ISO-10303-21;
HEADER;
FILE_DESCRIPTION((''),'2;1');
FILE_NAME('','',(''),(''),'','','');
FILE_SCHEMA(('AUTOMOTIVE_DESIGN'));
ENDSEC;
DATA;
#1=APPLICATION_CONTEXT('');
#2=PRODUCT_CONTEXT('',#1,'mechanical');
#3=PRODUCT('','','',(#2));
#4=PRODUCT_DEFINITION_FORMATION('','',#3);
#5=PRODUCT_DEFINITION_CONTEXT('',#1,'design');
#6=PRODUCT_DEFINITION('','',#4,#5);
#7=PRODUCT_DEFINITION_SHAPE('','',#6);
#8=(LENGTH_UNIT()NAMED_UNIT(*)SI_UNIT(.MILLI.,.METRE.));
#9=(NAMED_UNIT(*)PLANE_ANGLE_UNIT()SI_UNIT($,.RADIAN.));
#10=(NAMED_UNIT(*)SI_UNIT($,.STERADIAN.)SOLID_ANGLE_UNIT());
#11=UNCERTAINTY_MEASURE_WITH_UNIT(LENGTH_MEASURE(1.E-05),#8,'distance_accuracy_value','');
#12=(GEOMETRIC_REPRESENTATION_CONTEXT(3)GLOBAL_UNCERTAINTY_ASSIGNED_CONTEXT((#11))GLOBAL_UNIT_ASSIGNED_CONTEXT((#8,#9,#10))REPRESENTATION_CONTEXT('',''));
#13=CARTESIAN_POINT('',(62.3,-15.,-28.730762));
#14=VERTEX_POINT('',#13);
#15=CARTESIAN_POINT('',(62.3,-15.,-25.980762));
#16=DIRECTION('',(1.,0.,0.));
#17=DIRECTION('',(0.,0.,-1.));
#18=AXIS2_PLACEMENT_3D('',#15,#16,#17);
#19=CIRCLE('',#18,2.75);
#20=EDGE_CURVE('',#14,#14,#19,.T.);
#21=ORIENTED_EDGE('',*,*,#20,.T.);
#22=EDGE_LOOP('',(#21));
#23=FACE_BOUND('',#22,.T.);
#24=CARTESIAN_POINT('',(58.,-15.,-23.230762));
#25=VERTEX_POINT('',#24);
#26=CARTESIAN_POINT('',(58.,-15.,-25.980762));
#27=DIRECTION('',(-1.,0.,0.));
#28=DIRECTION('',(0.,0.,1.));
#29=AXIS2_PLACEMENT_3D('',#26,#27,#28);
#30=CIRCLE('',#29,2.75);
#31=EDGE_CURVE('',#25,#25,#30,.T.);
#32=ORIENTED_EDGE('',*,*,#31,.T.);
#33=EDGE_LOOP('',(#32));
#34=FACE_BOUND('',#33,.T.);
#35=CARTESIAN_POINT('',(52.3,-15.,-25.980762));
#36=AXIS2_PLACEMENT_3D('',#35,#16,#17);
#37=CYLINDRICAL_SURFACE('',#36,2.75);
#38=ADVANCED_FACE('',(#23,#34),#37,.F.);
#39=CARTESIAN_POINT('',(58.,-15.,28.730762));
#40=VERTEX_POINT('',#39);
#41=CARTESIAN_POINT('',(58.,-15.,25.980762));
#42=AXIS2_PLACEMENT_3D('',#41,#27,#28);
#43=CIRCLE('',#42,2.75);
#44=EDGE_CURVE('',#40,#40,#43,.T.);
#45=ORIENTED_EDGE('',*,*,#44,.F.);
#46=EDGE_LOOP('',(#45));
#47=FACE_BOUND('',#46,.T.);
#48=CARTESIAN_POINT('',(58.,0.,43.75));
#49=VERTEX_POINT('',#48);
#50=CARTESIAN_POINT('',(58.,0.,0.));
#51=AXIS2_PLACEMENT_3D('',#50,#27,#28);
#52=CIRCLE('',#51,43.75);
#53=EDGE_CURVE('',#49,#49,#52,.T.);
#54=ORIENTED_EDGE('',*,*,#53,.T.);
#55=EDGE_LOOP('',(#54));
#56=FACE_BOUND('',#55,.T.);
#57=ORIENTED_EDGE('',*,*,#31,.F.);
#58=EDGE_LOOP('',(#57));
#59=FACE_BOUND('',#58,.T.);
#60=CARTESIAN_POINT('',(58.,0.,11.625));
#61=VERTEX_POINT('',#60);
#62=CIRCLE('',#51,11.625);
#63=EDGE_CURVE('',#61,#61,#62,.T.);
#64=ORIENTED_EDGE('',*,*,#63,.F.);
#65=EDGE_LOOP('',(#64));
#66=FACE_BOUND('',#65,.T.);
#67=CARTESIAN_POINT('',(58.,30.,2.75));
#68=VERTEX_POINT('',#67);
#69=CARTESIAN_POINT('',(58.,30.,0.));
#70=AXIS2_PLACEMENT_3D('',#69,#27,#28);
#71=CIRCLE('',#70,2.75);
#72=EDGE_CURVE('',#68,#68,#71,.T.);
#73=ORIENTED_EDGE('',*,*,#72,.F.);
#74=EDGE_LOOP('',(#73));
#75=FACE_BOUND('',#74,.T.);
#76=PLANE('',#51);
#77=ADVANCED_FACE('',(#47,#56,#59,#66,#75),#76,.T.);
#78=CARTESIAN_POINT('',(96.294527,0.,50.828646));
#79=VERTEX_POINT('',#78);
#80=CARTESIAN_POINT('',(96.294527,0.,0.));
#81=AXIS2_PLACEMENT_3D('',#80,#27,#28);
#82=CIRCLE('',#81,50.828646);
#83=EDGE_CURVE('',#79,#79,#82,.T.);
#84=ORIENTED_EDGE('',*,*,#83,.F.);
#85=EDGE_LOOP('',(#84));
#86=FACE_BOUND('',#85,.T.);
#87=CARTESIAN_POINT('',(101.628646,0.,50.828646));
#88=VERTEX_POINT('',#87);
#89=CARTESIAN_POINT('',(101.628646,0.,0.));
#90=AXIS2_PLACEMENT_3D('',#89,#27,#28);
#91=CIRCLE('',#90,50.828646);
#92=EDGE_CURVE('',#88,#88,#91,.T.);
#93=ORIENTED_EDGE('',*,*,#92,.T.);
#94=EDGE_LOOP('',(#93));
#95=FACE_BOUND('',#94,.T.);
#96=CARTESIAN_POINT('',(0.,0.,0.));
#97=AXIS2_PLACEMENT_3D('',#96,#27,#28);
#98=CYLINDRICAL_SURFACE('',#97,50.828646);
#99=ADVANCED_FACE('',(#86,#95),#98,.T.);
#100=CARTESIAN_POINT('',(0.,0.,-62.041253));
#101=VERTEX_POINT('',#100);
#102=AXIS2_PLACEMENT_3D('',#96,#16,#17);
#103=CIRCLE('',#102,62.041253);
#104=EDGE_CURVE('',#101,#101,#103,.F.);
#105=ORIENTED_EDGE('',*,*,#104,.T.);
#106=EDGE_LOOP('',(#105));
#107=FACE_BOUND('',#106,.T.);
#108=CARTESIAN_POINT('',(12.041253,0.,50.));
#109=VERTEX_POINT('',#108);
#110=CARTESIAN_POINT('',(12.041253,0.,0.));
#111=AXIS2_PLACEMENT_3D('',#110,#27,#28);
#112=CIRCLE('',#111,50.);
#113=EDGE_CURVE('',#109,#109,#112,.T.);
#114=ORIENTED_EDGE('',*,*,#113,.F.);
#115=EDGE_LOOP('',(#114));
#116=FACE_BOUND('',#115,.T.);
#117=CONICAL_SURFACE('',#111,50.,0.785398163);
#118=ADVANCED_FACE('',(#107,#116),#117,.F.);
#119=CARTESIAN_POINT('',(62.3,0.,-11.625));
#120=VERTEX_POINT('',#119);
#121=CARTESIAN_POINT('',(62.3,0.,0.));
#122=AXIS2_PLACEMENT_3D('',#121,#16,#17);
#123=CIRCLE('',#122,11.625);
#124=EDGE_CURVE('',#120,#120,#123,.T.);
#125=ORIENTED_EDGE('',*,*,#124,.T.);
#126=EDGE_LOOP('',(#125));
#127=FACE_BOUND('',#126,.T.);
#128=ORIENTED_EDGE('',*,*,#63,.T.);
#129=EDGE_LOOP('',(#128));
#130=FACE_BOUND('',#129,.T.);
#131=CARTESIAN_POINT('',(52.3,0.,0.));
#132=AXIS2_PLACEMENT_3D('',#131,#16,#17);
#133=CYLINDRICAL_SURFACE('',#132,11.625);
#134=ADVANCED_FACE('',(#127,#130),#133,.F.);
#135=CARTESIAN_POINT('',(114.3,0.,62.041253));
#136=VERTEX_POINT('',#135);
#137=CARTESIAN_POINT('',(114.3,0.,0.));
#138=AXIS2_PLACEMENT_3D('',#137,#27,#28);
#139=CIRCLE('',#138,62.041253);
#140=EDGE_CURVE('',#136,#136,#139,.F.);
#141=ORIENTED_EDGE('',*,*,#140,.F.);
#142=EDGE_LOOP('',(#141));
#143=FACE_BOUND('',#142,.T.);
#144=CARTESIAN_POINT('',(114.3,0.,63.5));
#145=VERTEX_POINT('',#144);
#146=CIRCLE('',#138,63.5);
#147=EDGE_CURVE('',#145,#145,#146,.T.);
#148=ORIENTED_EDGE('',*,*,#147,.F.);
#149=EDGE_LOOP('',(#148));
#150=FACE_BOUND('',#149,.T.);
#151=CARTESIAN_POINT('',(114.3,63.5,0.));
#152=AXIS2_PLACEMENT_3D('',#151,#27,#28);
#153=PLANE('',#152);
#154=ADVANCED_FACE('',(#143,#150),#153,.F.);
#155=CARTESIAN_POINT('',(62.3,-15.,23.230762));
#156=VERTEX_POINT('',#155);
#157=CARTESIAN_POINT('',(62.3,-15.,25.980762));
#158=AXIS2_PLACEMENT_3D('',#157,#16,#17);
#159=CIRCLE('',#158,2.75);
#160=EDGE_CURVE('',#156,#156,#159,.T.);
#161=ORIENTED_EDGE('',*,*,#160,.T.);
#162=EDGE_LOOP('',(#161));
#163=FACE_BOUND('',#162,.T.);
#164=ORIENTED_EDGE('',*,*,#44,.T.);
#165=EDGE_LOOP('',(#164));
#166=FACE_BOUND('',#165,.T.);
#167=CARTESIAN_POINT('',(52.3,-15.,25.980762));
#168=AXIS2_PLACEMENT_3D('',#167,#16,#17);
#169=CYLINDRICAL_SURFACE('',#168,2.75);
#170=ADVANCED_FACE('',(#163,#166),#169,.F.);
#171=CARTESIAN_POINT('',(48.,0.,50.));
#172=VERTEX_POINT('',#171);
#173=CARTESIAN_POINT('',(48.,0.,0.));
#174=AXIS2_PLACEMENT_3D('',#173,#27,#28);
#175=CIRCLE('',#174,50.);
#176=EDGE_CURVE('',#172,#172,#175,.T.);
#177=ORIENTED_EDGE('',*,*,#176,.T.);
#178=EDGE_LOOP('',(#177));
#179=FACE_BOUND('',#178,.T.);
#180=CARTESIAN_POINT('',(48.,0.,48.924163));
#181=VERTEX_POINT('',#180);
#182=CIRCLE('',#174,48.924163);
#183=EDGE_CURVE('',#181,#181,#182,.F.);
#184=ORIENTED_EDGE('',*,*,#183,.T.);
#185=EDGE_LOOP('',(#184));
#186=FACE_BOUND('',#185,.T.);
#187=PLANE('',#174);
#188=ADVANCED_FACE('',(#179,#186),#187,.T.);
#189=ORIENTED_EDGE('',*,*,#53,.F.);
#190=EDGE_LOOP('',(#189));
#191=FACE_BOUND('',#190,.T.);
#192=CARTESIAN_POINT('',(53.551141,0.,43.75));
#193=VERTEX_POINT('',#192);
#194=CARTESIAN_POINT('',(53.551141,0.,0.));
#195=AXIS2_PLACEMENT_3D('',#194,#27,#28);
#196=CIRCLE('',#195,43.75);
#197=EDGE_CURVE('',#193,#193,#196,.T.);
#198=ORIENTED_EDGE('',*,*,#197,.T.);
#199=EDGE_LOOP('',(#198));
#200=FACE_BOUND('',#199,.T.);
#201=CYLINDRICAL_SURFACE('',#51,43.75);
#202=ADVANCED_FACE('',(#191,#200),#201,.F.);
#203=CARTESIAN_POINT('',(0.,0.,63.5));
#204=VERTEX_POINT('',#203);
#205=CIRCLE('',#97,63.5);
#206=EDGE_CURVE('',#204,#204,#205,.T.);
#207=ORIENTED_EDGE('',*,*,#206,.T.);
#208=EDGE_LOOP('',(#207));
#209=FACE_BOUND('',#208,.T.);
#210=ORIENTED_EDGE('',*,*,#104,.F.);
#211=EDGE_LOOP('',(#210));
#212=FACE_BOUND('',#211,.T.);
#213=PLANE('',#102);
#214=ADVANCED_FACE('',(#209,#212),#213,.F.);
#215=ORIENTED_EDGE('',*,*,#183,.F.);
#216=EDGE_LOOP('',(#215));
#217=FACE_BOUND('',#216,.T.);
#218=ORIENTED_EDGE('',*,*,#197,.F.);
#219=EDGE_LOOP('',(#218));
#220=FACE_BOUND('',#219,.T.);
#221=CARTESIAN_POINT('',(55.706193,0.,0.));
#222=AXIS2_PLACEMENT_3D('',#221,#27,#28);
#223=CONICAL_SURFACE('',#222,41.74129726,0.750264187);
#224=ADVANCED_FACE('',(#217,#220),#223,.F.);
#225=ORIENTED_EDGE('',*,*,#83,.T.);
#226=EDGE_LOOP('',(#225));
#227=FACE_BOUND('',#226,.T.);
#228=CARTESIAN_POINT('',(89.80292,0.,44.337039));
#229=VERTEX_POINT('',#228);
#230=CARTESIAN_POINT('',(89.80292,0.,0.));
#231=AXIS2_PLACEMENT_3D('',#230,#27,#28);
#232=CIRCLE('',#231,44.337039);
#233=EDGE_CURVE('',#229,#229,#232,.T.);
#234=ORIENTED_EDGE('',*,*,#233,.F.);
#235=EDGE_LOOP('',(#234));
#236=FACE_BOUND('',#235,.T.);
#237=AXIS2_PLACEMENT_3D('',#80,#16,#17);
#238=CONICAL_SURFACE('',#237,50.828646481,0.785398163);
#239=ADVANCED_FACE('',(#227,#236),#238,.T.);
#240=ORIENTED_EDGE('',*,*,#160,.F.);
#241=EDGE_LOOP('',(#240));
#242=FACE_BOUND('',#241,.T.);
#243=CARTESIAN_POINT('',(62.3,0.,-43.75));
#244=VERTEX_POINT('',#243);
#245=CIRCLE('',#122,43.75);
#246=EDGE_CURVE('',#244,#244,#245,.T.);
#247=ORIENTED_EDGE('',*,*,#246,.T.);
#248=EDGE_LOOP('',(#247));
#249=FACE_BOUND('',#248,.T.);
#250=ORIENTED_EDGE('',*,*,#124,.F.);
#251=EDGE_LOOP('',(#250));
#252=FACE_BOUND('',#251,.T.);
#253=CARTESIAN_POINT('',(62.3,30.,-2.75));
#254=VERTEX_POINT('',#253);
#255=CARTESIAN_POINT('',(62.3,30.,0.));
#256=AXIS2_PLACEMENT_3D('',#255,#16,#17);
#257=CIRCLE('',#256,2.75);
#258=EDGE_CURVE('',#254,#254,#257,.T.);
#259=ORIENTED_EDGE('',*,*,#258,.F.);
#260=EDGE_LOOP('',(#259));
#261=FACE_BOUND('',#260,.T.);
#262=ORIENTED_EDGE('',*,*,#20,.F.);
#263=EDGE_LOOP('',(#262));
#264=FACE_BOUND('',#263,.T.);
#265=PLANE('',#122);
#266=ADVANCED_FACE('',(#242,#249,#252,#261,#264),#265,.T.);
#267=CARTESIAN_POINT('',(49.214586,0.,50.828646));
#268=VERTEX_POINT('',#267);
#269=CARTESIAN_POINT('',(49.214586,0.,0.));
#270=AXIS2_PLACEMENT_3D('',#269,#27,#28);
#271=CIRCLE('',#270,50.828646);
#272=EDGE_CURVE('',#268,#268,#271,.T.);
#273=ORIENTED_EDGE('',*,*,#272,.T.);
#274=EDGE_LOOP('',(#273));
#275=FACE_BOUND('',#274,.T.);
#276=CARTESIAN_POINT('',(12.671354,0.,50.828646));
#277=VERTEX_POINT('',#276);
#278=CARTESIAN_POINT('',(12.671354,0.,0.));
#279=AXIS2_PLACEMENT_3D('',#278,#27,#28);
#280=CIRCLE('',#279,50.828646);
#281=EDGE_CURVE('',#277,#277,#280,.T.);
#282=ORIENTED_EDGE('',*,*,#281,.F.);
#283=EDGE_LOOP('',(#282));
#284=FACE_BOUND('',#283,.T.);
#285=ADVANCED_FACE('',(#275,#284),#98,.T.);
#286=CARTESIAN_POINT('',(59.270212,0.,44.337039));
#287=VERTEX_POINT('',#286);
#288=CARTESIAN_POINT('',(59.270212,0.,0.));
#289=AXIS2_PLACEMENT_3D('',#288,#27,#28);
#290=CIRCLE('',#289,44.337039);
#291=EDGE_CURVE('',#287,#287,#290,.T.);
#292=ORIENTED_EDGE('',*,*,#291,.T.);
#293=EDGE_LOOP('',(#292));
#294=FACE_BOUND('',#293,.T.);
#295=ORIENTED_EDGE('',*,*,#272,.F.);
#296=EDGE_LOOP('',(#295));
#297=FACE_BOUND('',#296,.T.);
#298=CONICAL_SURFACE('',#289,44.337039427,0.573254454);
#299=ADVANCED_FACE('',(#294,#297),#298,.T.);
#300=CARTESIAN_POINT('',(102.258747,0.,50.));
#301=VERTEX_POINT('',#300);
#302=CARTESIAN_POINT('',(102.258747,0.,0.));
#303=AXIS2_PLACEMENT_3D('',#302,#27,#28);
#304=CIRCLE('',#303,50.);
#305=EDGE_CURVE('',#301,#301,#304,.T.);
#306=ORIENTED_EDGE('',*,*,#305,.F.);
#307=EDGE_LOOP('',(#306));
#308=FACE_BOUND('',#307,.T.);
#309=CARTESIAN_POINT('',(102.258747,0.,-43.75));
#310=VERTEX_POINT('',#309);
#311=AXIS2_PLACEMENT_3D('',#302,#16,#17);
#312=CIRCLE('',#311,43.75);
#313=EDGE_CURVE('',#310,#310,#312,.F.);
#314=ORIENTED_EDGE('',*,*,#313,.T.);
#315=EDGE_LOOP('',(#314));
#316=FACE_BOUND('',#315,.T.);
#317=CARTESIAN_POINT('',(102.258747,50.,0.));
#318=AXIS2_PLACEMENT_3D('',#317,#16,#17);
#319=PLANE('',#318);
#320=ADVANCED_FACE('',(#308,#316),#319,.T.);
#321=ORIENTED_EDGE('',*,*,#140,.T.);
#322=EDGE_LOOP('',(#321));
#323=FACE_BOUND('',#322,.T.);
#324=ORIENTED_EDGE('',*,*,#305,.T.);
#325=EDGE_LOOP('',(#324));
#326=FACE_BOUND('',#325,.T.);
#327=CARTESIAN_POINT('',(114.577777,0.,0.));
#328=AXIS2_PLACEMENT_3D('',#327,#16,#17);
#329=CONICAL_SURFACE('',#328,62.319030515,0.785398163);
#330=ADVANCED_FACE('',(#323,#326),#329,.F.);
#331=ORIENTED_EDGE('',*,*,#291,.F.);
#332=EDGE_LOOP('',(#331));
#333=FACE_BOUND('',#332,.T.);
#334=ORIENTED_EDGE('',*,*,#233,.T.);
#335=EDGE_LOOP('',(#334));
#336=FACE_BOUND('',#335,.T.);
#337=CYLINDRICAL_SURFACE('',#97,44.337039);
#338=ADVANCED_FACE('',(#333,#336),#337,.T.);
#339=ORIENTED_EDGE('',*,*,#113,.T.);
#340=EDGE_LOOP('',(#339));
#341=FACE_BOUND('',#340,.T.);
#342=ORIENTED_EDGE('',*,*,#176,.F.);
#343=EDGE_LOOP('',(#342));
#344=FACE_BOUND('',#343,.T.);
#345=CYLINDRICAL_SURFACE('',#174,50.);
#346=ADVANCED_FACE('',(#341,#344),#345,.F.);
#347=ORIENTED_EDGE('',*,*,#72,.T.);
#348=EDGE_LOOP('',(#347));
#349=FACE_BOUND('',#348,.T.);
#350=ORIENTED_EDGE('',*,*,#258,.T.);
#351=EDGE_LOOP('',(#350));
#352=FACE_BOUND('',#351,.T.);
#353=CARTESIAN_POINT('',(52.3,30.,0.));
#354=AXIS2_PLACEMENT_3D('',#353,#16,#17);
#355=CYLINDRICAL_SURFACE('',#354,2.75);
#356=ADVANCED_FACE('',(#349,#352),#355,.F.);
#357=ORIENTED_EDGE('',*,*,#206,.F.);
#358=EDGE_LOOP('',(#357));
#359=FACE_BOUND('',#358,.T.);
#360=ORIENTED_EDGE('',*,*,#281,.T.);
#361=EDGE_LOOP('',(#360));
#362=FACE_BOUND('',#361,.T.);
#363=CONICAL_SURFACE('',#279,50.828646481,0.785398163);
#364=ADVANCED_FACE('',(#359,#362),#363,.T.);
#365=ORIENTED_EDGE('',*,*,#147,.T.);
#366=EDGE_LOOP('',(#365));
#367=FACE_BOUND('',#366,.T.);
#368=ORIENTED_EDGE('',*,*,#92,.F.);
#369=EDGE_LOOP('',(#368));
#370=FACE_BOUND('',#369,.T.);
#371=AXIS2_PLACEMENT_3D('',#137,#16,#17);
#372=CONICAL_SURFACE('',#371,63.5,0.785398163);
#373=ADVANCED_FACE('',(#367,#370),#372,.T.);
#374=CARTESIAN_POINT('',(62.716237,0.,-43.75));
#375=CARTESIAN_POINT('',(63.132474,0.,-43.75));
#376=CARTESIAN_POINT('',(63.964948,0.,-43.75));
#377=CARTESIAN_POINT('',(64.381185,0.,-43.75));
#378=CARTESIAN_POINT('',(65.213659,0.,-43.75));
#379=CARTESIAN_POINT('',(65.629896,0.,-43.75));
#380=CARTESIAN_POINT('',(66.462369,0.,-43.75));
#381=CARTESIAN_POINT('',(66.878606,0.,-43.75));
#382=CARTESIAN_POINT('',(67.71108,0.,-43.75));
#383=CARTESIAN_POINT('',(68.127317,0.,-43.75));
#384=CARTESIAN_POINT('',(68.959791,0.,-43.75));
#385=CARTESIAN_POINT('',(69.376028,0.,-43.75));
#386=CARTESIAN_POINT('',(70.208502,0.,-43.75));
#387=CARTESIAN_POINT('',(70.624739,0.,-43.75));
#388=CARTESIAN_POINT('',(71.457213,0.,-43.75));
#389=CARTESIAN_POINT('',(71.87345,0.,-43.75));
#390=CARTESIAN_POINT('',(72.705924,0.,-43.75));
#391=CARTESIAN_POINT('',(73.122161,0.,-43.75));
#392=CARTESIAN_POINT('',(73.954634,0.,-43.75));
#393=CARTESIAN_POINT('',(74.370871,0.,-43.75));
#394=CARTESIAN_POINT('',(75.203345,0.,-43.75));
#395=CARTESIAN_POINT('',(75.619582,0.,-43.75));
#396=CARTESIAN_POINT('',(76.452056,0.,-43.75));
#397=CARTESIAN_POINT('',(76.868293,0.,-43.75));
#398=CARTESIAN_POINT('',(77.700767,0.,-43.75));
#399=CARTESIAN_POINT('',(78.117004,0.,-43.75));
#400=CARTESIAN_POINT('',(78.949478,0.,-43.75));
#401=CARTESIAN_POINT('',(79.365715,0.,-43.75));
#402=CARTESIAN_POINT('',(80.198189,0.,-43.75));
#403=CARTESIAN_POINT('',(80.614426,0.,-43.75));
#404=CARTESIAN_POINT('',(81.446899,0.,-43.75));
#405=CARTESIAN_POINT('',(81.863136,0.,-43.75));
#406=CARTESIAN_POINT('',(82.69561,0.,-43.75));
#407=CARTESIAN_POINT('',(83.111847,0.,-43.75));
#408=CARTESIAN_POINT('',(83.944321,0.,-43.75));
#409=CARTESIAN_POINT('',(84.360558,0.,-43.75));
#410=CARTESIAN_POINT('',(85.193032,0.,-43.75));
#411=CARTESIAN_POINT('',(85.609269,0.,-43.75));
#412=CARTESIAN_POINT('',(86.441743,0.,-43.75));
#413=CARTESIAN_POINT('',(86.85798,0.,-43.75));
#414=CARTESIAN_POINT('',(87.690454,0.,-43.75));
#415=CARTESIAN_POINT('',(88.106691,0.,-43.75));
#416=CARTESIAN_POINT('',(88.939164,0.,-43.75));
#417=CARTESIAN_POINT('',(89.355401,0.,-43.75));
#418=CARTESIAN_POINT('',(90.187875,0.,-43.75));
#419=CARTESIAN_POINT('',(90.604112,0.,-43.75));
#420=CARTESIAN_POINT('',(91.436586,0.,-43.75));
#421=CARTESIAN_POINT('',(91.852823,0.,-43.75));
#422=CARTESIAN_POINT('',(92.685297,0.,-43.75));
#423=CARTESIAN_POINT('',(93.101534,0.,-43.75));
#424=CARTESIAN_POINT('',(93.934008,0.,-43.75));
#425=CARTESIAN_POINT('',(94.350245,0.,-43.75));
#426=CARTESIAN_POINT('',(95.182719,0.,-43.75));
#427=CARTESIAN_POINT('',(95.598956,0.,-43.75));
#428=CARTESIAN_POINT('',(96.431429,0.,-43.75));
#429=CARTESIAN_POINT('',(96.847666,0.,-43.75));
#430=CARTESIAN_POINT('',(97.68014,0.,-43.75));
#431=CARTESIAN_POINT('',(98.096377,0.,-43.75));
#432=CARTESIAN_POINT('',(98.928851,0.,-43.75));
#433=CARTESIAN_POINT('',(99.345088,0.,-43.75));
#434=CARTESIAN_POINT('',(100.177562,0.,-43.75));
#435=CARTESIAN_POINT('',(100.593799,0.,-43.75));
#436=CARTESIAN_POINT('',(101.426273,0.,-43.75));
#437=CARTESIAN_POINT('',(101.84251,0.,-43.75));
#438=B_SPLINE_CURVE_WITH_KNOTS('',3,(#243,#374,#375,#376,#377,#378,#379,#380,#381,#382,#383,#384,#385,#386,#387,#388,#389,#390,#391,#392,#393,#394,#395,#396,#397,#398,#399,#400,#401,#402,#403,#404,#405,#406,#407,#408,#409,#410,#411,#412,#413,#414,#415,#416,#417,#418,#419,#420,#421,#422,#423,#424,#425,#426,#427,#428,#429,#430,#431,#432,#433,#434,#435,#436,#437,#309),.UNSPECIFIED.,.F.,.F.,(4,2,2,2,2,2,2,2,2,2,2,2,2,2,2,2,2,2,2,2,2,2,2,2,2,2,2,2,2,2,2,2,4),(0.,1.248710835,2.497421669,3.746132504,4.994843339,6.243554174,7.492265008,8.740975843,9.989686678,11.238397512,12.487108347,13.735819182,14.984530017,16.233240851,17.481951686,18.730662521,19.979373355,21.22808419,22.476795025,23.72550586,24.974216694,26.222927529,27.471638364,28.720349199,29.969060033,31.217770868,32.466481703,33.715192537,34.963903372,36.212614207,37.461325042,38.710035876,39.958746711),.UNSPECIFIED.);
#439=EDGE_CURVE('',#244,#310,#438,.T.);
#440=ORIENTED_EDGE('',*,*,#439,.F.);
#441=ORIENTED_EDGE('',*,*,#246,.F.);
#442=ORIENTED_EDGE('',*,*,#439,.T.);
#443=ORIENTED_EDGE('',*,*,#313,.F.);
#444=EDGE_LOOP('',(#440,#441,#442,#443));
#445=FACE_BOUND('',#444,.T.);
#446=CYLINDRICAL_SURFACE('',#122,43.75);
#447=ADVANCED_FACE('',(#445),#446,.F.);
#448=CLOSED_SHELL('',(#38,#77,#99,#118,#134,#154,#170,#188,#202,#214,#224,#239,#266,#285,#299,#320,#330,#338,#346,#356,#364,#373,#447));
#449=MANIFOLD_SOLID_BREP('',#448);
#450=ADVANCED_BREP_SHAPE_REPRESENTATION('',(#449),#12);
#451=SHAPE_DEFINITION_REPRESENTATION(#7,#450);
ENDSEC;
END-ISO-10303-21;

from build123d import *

# Parameters (mm, degrees)
SKETCH3_R          = 50
CUT_EXTRUDE1_DEPTH = 48
SKETCH4_R          = 43.75
CUT_EXTRUDE2_DEPTH = 52
CUT_EXTRUDE3_START = -10
SKETCH7_R          = 43.75
CUT_EXTRUDE3_DEPTH = 10
SKETCH8_R          = 11.625
SKETCH8_R_2        = 2.75
CUT_EXTRUDE4_DEPTH = 10


with BuildPart() as part:
    # Sketch2 → Revolve1 (revolve)
    with BuildSketch(Plane.XY, mode=Mode.PRIVATE) as revolve1_sk:
        Polygon((0, 0), (0, 63.5), (12.671353519, 50.828646481), (49.214586006, 50.828646481), (59.270211662, 44.337039427), (89.802920415, 44.337039427), (96.294527469, 50.828646481), (101.628646481, 50.828646481), (114.3, 63.5), (114.3, 0), align=None)
    revolve(revolve1_sk.sketch.rotate(Axis((0, 0, 0), (1, 0, 0)), 90), axis=Axis((0, 0, 0), (1, 0, 0)))

    # Sketch3 → Cut-Extrude1 (cut)
    with BuildSketch(Plane.ZY):
        Circle(SKETCH3_R)
    extrude(amount=-CUT_EXTRUDE1_DEPTH, mode=Mode.SUBTRACT)

    # Sketch4 → Cut-Extrude2 (cut)
    with BuildSketch(Plane(origin=(114.3, 0, 0), x_dir=(0, 0, -1), z_dir=(1, 0, 0))):
        Circle(SKETCH4_R)
    extrude(amount=-CUT_EXTRUDE2_DEPTH, mode=Mode.SUBTRACT)

    # Sketch5 → Cut-Revolve1 (revolve, cut)
    with BuildSketch(Plane.XY, mode=Mode.PRIVATE) as cut_revolve1_sk:
        Polygon((12.041253289, 50), (-0.277777226, 62.319030515), (-0.277777226, 50), align=None)
        Polygon((114.577777226, 62.319030515), (114.577777226, 50), (114.577777226, 45.7969371), (114.577777226, 42.174166746), (102.258746711, 42.174166746), (102.258746711, 45.7969371), (102.258746711, 50), align=None)
    revolve(cut_revolve1_sk.sketch.rotate(Axis((0, 0, 0), (1, 0, 0)), 90), axis=Axis((0, 0, 0), (1, 0, 0)), mode=Mode.SUBTRACT)

    # Sketch6 → Cut-Revolve2 (revolve, cut)
    with BuildSketch(Plane.XY, mode=Mode.PRIVATE) as cut_revolve2_sk:
        Polygon((55.706193059, 41.74129726), (47.124944427, 41.74129726), (47.124944427, 49.73979372), align=None)
    revolve(cut_revolve2_sk.sketch.rotate(Axis((0, 0, 0), (1, 0, 0)), 90), axis=Axis((0, 0, 0), (1, 0, 0)), mode=Mode.SUBTRACT)

    # Sketch7 → Cut-Extrude3 (cut)
    with BuildSketch(Plane.ZY.offset(-48).offset(CUT_EXTRUDE3_START)):
        with Locations(Location((0, 0, 0), (0, 0, 180))):
            Circle(SKETCH7_R)
    extrude(amount=CUT_EXTRUDE3_DEPTH, mode=Mode.SUBTRACT)

    # Sketch8 → Cut-Extrude4 (cut)
    with BuildSketch(Plane(origin=(62.3, 0, 0), x_dir=(0, 0, -1), z_dir=(1, 0, 0))):
        Circle(SKETCH8_R)
        with Locations((0, 30)):
            Circle(SKETCH8_R_2)
        with Locations((25.980762114, -15)):
            Circle(SKETCH8_R_2)
        with Locations((-25.980762114, -15)):
            Circle(SKETCH8_R_2)
    extrude(amount=-CUT_EXTRUDE4_DEPTH, mode=Mode.SUBTRACT)


solid = part.part
